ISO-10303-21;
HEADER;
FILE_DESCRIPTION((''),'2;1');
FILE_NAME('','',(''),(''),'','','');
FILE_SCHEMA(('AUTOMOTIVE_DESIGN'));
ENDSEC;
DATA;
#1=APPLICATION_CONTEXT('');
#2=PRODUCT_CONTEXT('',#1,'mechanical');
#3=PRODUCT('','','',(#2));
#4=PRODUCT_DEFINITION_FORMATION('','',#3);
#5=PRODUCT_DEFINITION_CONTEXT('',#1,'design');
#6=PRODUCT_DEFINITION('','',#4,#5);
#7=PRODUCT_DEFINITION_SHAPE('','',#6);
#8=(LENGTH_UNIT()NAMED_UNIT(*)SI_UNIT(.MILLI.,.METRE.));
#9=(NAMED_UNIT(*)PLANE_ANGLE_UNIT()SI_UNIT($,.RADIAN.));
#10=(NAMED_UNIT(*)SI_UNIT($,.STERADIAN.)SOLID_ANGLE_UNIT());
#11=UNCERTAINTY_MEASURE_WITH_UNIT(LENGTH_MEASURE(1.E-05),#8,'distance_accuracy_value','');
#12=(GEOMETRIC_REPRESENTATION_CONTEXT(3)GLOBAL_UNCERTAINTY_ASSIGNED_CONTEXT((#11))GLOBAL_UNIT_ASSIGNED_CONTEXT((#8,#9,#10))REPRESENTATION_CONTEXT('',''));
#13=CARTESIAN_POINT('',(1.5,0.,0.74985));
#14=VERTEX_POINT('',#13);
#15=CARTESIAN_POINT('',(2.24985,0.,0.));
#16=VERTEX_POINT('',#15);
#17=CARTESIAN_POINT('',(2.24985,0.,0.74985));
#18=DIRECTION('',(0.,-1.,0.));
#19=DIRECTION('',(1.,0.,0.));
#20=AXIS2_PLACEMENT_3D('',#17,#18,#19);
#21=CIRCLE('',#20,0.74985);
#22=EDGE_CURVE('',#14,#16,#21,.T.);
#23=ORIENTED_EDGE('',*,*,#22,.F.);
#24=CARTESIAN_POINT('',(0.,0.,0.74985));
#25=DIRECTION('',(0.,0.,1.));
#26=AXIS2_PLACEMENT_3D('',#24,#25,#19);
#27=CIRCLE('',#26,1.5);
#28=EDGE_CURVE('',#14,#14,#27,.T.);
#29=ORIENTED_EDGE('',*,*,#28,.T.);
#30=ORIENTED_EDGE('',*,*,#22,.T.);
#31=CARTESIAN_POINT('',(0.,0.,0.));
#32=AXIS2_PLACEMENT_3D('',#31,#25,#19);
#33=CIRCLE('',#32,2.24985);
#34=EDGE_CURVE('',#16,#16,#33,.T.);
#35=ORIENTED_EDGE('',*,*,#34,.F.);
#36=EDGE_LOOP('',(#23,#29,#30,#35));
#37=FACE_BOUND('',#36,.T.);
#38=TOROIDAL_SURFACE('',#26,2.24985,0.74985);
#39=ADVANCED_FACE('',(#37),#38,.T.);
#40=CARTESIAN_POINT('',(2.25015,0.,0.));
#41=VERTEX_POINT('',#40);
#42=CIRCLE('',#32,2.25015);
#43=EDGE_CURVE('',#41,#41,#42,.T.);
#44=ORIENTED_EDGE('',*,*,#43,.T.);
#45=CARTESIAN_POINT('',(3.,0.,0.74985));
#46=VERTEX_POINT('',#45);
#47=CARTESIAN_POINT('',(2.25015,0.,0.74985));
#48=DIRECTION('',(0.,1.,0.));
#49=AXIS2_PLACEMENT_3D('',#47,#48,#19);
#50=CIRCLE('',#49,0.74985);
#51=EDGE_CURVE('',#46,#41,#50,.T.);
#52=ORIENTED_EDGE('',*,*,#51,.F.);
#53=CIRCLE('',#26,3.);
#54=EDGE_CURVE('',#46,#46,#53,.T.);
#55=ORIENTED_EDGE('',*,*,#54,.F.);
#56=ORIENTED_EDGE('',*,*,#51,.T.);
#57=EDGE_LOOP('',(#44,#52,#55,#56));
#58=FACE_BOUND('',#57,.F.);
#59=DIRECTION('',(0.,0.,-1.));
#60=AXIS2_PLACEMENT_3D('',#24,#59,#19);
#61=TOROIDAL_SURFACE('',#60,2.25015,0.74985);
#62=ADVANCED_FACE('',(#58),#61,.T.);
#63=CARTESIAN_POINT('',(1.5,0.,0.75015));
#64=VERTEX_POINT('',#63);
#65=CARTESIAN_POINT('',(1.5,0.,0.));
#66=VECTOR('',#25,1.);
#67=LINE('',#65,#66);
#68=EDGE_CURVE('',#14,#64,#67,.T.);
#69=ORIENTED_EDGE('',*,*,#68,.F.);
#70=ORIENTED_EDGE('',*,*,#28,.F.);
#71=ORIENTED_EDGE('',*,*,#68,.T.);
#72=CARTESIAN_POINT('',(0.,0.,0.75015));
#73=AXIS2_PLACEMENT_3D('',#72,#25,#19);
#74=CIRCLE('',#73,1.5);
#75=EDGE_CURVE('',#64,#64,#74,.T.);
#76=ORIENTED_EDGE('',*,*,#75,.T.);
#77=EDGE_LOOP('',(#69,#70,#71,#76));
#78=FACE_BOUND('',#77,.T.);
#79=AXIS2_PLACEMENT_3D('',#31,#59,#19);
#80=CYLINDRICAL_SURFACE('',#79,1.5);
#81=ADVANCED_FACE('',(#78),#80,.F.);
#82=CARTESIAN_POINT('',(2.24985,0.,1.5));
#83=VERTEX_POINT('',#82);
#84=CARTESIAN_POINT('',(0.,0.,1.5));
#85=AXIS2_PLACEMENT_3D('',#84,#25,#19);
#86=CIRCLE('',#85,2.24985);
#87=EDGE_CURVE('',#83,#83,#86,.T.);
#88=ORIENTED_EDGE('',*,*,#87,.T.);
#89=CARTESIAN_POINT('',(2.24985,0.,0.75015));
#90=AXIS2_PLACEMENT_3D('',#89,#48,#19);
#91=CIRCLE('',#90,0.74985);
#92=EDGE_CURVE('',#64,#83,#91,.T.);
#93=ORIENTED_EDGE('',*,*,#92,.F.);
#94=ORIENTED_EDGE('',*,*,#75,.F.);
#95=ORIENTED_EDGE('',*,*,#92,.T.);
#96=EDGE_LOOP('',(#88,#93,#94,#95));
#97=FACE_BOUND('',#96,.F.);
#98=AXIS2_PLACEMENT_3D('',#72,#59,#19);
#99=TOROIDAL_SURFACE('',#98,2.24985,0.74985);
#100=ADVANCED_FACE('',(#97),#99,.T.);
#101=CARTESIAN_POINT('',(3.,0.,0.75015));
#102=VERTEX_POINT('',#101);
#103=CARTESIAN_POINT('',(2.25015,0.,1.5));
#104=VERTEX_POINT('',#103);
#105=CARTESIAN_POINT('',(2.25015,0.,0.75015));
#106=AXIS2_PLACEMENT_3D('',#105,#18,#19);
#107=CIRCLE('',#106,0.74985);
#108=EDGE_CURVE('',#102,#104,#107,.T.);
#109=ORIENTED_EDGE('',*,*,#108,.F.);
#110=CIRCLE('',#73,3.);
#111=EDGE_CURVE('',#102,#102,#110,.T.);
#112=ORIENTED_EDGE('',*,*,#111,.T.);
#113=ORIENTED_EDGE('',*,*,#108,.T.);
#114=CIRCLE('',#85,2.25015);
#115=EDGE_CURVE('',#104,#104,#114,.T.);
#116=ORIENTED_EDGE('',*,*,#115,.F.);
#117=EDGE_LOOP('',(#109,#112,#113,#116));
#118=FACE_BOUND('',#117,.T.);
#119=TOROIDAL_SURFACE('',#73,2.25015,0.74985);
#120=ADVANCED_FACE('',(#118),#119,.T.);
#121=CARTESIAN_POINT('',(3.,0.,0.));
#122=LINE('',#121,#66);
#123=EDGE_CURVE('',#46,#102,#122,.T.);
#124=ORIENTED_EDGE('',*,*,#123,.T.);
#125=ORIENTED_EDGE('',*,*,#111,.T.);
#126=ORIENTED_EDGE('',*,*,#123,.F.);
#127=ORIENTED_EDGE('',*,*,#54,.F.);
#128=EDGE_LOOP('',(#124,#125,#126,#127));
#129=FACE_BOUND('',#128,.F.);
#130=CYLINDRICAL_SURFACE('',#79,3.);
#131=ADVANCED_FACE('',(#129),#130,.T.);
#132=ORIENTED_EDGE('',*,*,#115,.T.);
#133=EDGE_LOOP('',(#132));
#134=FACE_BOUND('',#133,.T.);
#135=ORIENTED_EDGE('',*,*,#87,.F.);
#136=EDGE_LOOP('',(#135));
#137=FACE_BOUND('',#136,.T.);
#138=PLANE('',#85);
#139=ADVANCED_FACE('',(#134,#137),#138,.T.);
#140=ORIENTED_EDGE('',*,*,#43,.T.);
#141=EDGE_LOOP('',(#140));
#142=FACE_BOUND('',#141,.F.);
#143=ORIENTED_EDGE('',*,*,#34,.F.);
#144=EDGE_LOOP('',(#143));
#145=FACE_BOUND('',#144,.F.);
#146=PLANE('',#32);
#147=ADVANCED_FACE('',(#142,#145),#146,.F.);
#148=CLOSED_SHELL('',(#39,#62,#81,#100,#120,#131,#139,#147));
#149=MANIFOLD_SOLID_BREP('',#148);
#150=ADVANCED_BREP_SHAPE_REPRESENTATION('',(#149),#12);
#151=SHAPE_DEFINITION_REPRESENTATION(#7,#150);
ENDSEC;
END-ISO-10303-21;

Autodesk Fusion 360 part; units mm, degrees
sketch "Sketch1" plane through (0, 0, 0) normal (0, 0, 1) x (1, 0, 0)
  circle A0 centre (0, 0) radius 3
  circle A1 centre (0, 0) radius 1.5
  dimension "d1" = 6
  dimension "d2" = 3
extrude "Extrude1" add sketch "Sketch1" along normal blind 1.5
fillet "Fillet1" radius 0.75 4 edges at (-2.797, -1.0848, 1.5) (-2.797, -1.0848, 0) (-1.3985, 0.5424, 1.5) (-1.3985, 0.5424, 0)
equation "d1 = outerDiameter"
equation "d2 = innerDiameter"
equation "d3 = height"
equation "d6 = height / 2"
equation "outerDiameter = 6 mm"
equation "innerDiameter = 3 mm"
equation "height = 1.5 mm"
